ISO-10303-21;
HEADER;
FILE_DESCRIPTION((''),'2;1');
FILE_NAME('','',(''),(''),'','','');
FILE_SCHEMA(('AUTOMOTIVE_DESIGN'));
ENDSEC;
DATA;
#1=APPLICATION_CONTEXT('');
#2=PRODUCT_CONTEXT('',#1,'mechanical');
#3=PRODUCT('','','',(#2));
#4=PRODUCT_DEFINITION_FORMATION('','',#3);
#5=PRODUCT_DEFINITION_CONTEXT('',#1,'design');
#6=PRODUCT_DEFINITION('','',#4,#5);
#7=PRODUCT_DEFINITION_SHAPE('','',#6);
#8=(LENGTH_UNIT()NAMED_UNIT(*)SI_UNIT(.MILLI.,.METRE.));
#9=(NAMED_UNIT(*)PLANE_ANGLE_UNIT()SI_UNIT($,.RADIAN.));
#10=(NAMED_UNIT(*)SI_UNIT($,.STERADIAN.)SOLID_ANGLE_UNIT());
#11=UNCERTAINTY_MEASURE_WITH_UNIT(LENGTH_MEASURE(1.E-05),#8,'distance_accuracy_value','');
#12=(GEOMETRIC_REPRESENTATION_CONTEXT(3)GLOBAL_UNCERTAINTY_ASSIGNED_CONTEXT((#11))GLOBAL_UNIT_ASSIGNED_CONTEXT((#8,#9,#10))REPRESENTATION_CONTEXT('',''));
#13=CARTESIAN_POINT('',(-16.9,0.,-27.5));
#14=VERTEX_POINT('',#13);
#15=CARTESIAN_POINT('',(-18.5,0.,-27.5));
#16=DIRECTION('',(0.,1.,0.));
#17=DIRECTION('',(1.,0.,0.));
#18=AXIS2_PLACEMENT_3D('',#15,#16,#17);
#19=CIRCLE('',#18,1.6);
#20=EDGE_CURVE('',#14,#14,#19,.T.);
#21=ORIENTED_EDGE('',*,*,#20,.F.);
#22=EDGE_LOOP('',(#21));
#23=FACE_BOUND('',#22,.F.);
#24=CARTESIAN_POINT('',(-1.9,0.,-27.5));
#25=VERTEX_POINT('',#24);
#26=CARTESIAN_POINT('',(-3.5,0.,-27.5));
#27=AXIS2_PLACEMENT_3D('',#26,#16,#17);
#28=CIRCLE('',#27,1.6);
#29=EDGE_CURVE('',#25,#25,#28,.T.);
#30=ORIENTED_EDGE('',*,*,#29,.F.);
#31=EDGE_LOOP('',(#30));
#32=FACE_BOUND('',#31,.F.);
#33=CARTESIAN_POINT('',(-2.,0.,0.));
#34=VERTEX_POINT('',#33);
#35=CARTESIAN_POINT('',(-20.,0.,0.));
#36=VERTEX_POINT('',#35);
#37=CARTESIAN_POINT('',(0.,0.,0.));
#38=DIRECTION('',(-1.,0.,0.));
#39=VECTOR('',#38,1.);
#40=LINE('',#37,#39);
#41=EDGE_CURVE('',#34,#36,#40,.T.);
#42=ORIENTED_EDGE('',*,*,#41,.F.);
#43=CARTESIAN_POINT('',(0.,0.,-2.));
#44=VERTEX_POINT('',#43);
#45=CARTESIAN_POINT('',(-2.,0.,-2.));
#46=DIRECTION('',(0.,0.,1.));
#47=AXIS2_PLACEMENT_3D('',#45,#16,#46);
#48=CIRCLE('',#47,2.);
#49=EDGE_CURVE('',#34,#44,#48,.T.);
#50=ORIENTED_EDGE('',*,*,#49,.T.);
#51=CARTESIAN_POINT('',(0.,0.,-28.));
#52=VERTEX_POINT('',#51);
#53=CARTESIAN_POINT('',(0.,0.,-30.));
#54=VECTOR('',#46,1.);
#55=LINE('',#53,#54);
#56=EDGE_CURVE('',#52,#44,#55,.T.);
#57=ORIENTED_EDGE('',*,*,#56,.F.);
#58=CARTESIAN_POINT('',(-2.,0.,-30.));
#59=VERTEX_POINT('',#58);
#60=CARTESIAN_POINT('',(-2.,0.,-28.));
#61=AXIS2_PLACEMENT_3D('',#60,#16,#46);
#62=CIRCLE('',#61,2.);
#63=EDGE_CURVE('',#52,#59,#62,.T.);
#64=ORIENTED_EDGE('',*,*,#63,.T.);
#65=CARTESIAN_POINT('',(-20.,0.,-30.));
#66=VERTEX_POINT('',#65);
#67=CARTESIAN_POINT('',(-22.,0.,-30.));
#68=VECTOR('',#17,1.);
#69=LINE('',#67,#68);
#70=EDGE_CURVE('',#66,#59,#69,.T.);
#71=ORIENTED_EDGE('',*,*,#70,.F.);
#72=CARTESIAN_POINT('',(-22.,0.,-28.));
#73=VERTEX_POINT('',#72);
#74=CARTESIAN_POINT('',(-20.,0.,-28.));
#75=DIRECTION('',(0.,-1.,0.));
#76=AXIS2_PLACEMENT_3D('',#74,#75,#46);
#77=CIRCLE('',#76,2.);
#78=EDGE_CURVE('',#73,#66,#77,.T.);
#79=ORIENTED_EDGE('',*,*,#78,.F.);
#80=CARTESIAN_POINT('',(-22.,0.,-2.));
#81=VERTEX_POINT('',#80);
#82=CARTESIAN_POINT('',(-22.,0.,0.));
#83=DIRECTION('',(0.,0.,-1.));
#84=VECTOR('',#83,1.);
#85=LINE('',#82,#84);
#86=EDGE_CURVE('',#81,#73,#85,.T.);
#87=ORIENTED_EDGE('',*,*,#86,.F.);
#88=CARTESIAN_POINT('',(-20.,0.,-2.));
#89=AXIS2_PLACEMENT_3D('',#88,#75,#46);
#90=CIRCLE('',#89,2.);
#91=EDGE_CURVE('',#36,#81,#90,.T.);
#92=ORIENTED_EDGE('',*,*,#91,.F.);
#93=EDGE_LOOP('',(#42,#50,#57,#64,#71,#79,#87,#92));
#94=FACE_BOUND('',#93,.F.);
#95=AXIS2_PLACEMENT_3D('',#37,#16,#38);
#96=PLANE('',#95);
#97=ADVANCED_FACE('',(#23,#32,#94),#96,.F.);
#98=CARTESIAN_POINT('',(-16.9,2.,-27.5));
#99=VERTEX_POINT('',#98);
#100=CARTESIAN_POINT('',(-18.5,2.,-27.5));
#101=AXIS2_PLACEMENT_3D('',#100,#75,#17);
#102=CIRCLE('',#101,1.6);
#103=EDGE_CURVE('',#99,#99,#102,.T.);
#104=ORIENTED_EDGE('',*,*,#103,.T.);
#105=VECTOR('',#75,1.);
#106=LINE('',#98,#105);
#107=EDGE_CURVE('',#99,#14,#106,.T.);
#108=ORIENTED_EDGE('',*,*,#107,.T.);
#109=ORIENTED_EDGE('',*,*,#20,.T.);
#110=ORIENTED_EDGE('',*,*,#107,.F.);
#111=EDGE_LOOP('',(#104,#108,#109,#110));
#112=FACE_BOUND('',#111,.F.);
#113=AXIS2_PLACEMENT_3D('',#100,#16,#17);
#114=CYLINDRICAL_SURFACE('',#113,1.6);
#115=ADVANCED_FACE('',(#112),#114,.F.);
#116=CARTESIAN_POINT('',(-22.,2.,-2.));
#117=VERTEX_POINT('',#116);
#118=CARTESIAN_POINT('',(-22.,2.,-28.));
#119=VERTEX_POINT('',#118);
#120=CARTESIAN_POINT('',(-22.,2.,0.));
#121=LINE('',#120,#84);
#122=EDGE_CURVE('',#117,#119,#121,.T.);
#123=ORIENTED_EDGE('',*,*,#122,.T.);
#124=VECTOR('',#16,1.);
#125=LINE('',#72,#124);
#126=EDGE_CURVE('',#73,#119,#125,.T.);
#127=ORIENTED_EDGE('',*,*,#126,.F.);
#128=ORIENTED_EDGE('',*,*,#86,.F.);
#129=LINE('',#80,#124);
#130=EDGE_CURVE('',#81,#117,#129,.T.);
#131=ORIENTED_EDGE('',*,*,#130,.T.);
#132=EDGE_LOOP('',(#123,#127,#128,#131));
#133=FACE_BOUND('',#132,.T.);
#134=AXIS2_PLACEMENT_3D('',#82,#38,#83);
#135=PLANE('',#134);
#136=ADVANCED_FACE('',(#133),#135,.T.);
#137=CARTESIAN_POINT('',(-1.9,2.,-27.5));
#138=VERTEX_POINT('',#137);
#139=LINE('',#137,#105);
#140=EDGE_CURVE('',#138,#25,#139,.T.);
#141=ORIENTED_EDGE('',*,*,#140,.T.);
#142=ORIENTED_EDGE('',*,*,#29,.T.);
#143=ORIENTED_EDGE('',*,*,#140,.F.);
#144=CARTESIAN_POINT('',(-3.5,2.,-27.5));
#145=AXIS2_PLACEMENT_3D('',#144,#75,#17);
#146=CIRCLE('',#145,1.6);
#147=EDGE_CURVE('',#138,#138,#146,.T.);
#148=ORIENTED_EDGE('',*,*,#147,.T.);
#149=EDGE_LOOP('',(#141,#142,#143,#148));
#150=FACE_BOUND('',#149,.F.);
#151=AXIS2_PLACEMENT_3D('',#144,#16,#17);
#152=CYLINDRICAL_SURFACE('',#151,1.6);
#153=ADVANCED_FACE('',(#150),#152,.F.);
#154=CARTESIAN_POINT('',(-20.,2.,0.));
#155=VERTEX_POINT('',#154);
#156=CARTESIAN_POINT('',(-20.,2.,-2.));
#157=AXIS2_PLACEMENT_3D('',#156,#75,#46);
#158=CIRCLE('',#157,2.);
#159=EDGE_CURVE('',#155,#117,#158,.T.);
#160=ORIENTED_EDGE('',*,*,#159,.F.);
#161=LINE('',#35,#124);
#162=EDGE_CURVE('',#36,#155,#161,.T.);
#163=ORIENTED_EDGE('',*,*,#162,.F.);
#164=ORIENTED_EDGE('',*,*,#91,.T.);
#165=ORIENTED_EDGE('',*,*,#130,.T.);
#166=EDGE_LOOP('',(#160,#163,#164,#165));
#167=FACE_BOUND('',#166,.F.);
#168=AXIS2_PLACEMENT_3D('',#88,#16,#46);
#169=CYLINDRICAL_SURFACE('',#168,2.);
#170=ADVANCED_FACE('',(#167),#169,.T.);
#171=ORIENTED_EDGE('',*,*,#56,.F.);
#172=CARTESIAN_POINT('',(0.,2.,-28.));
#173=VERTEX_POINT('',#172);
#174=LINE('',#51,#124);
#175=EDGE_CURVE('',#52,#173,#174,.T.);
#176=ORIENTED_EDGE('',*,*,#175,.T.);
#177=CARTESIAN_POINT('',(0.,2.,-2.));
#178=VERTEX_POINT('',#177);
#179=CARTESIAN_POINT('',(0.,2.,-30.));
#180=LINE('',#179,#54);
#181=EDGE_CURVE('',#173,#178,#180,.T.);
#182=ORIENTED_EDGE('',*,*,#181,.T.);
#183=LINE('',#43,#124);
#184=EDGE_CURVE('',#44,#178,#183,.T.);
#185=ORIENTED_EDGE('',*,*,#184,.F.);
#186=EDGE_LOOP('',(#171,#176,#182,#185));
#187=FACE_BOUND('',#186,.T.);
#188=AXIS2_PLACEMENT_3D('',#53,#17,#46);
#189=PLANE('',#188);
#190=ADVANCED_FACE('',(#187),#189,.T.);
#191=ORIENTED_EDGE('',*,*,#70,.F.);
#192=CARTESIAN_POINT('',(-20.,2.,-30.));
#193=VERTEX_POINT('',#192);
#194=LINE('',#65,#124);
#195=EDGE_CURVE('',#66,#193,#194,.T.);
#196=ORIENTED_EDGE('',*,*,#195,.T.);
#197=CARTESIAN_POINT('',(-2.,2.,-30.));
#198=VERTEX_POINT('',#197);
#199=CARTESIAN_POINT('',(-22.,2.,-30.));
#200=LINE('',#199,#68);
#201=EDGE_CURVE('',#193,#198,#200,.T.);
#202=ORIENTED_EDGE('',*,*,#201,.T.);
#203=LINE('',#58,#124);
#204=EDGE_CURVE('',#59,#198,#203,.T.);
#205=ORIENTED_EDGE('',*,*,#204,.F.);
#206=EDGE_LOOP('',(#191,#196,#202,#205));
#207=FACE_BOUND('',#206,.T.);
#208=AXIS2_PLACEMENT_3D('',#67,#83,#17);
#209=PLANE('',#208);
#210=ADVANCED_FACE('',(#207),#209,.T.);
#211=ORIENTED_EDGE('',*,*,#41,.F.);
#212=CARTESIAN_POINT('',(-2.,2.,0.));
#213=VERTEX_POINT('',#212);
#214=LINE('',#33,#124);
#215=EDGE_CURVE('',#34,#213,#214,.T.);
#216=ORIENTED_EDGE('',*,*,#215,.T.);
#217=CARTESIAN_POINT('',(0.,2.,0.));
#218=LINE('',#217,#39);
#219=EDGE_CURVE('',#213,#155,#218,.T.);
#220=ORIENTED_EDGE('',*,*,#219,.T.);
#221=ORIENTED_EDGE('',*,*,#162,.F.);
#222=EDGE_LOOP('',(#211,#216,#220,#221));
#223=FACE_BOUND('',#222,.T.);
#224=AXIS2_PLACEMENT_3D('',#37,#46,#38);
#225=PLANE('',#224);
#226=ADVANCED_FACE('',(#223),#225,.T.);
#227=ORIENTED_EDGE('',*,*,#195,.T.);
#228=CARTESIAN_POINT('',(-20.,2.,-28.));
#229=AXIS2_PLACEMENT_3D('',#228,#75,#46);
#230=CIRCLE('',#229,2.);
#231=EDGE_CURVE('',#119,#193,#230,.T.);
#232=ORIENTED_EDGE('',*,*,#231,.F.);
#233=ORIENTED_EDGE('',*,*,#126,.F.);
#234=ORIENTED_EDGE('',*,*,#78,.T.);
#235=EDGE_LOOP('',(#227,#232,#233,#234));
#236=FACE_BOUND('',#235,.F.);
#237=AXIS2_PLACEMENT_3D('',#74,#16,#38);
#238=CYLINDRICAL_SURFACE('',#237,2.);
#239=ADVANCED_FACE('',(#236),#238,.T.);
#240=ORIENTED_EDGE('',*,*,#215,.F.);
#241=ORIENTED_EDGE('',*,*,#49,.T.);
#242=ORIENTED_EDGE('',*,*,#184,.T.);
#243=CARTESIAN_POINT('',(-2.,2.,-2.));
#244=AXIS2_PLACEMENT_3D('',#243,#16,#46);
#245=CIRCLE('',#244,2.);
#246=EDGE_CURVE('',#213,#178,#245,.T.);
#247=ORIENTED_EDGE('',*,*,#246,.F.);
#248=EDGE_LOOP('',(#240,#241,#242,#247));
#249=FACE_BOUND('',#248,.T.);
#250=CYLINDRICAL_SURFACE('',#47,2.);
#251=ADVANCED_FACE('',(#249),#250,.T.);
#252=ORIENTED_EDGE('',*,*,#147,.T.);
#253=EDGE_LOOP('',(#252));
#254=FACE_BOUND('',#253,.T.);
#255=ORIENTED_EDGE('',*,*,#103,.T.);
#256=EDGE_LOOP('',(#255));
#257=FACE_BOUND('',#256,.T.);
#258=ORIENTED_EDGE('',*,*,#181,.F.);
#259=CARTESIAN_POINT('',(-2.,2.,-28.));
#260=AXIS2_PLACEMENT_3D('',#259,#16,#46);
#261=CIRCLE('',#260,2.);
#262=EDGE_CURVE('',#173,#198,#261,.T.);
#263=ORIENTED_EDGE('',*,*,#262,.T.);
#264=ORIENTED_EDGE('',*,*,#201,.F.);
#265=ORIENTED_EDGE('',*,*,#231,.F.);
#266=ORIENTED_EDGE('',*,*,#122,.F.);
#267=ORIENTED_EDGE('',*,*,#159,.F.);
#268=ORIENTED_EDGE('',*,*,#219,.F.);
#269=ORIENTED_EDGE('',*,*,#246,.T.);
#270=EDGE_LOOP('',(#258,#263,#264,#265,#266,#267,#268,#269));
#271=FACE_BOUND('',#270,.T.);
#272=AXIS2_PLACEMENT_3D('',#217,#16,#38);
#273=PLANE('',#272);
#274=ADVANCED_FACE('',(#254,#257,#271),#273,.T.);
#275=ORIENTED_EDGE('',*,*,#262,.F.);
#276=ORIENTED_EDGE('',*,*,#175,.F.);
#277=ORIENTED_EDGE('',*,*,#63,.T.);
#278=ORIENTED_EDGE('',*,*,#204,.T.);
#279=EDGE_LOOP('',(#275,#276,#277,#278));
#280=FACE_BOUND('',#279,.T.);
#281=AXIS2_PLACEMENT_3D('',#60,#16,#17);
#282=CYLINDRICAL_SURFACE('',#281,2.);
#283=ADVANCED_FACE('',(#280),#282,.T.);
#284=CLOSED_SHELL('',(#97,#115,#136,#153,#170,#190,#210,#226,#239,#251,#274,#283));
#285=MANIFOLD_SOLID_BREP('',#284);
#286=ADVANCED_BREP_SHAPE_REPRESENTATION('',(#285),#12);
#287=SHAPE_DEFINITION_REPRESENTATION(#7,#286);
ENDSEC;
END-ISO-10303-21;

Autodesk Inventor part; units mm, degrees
ref_plane "YZ Plane" through (0, 0, 0) normal (1, 0, 0) x (0, 1, 0)
ref_plane "XZ Plane" through (0, 0, 0) normal (0, 1, 0) x (-1, 0, 0)
ref_plane "XY Plane" through (0, 0, 0) normal (0, 0, 1) x (1, 0, 0)
sketch "Esquisse1" plane through (0, 0, 0) normal (0, 1, 0) x (-1, 0, 0)
  line L0 (0, 0) -> (22, 0)
  line L1 (22, 0) -> (22, -30)
  line L2 (22, -30) -> (0, -30)
  line L3 (0, -30) -> (0, 0)
  dimension "d0" = 22
  dimension "d1" = 30
extrude "Extrusion1" add sketch "Esquisse1" along normal blind 2
sketch "Esquisse2" plane through (0, 2, 0) normal (0, 1, 0) x (1, 0, 0)
  line L0 (0, 30) -> (-22, 30) projected
  line L1 (-11, 30) -> (-3.5, 30)
  line L2 (-11, 30) -> (-18.5, 30)
  line L3 (-18.5, 30) -> (-18.5, 27.5)
  line L4 (-3.5, 30) -> (-3.5, 27.5)
  circle A0 centre (-18.5, 27.5) radius 1.6
  circle A1 centre (-3.5, 27.5) radius 1.6
  point P0 (0, 0)
  dimension "d4" = 7.5
  dimension "d5" = 7.5
  dimension "d6" = 2.5
  dimension "d7" = 2.5
  dimension "d8" = 3.2
  dimension "d9" = 3.2
extrude "Extrusion2" cut sketch "Esquisse2" against normal through all
fillet "Congé1" radius 2 4 edges at (0, 1, -30) (-22, 1, -30) (0, 1, 0) (-22, 1, 0)
properties part number "DFR0440"
